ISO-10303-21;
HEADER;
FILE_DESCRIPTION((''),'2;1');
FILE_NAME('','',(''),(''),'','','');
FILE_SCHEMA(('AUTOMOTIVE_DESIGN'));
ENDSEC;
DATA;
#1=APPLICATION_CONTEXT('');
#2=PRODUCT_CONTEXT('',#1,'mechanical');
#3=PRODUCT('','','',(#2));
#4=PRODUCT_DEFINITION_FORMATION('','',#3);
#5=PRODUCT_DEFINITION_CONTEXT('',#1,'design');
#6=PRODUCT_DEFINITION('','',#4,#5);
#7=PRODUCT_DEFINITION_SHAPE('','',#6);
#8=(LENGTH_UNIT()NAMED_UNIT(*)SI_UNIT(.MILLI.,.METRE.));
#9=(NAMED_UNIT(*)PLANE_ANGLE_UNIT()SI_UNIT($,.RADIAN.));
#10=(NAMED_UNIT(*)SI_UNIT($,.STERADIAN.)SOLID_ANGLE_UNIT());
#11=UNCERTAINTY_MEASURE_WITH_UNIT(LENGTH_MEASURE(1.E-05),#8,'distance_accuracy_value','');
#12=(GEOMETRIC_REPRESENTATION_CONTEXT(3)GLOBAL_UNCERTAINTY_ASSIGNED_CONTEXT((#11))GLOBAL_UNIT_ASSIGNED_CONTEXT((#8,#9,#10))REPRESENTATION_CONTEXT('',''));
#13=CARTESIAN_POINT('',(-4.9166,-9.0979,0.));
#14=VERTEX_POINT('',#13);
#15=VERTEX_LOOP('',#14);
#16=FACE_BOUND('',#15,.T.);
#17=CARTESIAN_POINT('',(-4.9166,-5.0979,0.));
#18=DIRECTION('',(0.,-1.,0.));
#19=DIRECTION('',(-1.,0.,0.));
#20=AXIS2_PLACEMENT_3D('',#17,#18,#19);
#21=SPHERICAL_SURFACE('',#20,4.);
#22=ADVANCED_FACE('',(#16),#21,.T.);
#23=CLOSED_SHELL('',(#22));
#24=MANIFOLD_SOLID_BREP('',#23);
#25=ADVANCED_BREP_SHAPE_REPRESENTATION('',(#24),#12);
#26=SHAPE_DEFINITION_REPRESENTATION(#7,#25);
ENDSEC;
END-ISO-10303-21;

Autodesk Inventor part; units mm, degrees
ref_plane "YZ Plane" through (0, 0, 0) normal (1, 0, 0) x (0, 1, 0)
ref_plane "XZ Plane" through (0, 0, 0) normal (0, 1, 0) x (-1, 0, 0)
ref_plane "XY Plane" through (0, 0, 0) normal (0, 0, 1) x (1, 0, 0)
sketch "Sketch1" plane through (0, 0, 0) normal (0, 0, 1) x (1, 0, 0)
  line L0 (-4.9166, -5.0979) -> (-4.9166, -1.0979)
  arc A0 (-4.9166, -1.0979) -> (-4.9166, -9.0979) centre (-4.9166, -5.0979) ccw
  line L1 (-4.9166, -5.0979) -> (-4.9166, -9.0979)
  point P0 (0, 0)
  dimension "d0" = 4
revolve "Revolution1" add sketch "Sketch1" angle 360 about axis through (-4.9166, -5.0979, 0) along (0, -1, 0)
properties part number "HUNDSON-1-44"
